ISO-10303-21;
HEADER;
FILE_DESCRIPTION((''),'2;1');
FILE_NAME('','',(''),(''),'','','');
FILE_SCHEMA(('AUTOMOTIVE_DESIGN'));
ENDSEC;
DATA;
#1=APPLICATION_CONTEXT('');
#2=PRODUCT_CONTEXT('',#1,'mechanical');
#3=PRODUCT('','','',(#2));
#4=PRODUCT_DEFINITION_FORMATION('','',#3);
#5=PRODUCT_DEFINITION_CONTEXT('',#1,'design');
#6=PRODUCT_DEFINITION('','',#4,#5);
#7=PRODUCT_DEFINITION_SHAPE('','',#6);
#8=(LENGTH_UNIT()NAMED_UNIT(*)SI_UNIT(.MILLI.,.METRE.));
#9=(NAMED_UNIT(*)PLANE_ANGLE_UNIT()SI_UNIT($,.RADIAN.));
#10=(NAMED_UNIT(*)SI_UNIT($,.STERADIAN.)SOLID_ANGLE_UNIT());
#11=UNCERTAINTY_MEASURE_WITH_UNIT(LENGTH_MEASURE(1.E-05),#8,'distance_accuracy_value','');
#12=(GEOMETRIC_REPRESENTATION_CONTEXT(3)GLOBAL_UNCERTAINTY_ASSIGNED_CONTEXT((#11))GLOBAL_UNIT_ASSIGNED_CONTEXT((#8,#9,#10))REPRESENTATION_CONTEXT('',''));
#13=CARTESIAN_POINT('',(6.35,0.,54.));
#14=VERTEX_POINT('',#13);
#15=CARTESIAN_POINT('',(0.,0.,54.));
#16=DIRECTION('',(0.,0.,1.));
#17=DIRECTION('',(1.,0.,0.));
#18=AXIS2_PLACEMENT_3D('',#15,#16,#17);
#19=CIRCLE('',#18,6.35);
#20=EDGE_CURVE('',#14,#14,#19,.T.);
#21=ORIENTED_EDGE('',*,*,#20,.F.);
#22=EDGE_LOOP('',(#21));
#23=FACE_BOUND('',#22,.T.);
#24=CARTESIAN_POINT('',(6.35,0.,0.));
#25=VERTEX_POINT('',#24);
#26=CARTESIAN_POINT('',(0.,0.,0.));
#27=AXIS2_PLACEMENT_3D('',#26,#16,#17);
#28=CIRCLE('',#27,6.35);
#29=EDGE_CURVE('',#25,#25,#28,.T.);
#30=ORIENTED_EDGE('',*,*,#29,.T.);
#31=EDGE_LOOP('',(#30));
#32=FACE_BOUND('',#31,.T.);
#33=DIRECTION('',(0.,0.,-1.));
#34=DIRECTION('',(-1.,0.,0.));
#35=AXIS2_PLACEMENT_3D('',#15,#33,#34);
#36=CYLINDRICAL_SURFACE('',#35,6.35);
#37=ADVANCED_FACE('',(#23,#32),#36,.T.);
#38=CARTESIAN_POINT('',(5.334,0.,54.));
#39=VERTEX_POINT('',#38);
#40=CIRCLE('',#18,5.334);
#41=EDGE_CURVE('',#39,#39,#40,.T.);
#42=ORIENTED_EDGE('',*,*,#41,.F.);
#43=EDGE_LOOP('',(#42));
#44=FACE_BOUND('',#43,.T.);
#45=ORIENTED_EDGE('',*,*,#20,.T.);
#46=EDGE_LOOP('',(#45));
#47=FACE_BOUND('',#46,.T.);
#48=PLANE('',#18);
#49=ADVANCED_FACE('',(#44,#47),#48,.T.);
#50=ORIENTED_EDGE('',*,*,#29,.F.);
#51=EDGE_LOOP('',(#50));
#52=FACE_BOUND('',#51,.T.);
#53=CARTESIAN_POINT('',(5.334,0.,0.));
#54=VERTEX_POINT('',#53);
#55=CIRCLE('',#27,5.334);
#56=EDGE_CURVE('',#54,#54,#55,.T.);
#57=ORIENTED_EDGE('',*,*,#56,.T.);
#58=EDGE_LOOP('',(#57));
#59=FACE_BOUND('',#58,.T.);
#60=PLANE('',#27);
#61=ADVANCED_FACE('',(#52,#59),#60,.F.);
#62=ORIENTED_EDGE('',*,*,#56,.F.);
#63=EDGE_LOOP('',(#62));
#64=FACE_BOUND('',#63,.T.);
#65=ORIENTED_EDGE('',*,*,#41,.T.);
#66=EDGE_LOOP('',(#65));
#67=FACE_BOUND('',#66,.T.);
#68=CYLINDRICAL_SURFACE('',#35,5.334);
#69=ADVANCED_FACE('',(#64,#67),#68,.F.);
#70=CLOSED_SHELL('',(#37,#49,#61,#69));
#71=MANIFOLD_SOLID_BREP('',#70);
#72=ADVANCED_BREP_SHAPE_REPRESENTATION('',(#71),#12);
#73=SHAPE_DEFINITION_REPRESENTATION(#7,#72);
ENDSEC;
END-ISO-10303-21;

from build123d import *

# Parameters (mm, degrees)
SKETCH2_R           = 6.35
SKETCH2_R_2         = 5.334
BOSS_EXTRUDE1_DEPTH = 54


with BuildPart() as part:
    # Sketch2 → Boss-Extrude1 (new body)
    with BuildSketch(Plane.XY):
        Circle(SKETCH2_R)
        Circle(SKETCH2_R_2, mode=Mode.SUBTRACT)
    extrude(amount=BOSS_EXTRUDE1_DEPTH)


solid = part.part
